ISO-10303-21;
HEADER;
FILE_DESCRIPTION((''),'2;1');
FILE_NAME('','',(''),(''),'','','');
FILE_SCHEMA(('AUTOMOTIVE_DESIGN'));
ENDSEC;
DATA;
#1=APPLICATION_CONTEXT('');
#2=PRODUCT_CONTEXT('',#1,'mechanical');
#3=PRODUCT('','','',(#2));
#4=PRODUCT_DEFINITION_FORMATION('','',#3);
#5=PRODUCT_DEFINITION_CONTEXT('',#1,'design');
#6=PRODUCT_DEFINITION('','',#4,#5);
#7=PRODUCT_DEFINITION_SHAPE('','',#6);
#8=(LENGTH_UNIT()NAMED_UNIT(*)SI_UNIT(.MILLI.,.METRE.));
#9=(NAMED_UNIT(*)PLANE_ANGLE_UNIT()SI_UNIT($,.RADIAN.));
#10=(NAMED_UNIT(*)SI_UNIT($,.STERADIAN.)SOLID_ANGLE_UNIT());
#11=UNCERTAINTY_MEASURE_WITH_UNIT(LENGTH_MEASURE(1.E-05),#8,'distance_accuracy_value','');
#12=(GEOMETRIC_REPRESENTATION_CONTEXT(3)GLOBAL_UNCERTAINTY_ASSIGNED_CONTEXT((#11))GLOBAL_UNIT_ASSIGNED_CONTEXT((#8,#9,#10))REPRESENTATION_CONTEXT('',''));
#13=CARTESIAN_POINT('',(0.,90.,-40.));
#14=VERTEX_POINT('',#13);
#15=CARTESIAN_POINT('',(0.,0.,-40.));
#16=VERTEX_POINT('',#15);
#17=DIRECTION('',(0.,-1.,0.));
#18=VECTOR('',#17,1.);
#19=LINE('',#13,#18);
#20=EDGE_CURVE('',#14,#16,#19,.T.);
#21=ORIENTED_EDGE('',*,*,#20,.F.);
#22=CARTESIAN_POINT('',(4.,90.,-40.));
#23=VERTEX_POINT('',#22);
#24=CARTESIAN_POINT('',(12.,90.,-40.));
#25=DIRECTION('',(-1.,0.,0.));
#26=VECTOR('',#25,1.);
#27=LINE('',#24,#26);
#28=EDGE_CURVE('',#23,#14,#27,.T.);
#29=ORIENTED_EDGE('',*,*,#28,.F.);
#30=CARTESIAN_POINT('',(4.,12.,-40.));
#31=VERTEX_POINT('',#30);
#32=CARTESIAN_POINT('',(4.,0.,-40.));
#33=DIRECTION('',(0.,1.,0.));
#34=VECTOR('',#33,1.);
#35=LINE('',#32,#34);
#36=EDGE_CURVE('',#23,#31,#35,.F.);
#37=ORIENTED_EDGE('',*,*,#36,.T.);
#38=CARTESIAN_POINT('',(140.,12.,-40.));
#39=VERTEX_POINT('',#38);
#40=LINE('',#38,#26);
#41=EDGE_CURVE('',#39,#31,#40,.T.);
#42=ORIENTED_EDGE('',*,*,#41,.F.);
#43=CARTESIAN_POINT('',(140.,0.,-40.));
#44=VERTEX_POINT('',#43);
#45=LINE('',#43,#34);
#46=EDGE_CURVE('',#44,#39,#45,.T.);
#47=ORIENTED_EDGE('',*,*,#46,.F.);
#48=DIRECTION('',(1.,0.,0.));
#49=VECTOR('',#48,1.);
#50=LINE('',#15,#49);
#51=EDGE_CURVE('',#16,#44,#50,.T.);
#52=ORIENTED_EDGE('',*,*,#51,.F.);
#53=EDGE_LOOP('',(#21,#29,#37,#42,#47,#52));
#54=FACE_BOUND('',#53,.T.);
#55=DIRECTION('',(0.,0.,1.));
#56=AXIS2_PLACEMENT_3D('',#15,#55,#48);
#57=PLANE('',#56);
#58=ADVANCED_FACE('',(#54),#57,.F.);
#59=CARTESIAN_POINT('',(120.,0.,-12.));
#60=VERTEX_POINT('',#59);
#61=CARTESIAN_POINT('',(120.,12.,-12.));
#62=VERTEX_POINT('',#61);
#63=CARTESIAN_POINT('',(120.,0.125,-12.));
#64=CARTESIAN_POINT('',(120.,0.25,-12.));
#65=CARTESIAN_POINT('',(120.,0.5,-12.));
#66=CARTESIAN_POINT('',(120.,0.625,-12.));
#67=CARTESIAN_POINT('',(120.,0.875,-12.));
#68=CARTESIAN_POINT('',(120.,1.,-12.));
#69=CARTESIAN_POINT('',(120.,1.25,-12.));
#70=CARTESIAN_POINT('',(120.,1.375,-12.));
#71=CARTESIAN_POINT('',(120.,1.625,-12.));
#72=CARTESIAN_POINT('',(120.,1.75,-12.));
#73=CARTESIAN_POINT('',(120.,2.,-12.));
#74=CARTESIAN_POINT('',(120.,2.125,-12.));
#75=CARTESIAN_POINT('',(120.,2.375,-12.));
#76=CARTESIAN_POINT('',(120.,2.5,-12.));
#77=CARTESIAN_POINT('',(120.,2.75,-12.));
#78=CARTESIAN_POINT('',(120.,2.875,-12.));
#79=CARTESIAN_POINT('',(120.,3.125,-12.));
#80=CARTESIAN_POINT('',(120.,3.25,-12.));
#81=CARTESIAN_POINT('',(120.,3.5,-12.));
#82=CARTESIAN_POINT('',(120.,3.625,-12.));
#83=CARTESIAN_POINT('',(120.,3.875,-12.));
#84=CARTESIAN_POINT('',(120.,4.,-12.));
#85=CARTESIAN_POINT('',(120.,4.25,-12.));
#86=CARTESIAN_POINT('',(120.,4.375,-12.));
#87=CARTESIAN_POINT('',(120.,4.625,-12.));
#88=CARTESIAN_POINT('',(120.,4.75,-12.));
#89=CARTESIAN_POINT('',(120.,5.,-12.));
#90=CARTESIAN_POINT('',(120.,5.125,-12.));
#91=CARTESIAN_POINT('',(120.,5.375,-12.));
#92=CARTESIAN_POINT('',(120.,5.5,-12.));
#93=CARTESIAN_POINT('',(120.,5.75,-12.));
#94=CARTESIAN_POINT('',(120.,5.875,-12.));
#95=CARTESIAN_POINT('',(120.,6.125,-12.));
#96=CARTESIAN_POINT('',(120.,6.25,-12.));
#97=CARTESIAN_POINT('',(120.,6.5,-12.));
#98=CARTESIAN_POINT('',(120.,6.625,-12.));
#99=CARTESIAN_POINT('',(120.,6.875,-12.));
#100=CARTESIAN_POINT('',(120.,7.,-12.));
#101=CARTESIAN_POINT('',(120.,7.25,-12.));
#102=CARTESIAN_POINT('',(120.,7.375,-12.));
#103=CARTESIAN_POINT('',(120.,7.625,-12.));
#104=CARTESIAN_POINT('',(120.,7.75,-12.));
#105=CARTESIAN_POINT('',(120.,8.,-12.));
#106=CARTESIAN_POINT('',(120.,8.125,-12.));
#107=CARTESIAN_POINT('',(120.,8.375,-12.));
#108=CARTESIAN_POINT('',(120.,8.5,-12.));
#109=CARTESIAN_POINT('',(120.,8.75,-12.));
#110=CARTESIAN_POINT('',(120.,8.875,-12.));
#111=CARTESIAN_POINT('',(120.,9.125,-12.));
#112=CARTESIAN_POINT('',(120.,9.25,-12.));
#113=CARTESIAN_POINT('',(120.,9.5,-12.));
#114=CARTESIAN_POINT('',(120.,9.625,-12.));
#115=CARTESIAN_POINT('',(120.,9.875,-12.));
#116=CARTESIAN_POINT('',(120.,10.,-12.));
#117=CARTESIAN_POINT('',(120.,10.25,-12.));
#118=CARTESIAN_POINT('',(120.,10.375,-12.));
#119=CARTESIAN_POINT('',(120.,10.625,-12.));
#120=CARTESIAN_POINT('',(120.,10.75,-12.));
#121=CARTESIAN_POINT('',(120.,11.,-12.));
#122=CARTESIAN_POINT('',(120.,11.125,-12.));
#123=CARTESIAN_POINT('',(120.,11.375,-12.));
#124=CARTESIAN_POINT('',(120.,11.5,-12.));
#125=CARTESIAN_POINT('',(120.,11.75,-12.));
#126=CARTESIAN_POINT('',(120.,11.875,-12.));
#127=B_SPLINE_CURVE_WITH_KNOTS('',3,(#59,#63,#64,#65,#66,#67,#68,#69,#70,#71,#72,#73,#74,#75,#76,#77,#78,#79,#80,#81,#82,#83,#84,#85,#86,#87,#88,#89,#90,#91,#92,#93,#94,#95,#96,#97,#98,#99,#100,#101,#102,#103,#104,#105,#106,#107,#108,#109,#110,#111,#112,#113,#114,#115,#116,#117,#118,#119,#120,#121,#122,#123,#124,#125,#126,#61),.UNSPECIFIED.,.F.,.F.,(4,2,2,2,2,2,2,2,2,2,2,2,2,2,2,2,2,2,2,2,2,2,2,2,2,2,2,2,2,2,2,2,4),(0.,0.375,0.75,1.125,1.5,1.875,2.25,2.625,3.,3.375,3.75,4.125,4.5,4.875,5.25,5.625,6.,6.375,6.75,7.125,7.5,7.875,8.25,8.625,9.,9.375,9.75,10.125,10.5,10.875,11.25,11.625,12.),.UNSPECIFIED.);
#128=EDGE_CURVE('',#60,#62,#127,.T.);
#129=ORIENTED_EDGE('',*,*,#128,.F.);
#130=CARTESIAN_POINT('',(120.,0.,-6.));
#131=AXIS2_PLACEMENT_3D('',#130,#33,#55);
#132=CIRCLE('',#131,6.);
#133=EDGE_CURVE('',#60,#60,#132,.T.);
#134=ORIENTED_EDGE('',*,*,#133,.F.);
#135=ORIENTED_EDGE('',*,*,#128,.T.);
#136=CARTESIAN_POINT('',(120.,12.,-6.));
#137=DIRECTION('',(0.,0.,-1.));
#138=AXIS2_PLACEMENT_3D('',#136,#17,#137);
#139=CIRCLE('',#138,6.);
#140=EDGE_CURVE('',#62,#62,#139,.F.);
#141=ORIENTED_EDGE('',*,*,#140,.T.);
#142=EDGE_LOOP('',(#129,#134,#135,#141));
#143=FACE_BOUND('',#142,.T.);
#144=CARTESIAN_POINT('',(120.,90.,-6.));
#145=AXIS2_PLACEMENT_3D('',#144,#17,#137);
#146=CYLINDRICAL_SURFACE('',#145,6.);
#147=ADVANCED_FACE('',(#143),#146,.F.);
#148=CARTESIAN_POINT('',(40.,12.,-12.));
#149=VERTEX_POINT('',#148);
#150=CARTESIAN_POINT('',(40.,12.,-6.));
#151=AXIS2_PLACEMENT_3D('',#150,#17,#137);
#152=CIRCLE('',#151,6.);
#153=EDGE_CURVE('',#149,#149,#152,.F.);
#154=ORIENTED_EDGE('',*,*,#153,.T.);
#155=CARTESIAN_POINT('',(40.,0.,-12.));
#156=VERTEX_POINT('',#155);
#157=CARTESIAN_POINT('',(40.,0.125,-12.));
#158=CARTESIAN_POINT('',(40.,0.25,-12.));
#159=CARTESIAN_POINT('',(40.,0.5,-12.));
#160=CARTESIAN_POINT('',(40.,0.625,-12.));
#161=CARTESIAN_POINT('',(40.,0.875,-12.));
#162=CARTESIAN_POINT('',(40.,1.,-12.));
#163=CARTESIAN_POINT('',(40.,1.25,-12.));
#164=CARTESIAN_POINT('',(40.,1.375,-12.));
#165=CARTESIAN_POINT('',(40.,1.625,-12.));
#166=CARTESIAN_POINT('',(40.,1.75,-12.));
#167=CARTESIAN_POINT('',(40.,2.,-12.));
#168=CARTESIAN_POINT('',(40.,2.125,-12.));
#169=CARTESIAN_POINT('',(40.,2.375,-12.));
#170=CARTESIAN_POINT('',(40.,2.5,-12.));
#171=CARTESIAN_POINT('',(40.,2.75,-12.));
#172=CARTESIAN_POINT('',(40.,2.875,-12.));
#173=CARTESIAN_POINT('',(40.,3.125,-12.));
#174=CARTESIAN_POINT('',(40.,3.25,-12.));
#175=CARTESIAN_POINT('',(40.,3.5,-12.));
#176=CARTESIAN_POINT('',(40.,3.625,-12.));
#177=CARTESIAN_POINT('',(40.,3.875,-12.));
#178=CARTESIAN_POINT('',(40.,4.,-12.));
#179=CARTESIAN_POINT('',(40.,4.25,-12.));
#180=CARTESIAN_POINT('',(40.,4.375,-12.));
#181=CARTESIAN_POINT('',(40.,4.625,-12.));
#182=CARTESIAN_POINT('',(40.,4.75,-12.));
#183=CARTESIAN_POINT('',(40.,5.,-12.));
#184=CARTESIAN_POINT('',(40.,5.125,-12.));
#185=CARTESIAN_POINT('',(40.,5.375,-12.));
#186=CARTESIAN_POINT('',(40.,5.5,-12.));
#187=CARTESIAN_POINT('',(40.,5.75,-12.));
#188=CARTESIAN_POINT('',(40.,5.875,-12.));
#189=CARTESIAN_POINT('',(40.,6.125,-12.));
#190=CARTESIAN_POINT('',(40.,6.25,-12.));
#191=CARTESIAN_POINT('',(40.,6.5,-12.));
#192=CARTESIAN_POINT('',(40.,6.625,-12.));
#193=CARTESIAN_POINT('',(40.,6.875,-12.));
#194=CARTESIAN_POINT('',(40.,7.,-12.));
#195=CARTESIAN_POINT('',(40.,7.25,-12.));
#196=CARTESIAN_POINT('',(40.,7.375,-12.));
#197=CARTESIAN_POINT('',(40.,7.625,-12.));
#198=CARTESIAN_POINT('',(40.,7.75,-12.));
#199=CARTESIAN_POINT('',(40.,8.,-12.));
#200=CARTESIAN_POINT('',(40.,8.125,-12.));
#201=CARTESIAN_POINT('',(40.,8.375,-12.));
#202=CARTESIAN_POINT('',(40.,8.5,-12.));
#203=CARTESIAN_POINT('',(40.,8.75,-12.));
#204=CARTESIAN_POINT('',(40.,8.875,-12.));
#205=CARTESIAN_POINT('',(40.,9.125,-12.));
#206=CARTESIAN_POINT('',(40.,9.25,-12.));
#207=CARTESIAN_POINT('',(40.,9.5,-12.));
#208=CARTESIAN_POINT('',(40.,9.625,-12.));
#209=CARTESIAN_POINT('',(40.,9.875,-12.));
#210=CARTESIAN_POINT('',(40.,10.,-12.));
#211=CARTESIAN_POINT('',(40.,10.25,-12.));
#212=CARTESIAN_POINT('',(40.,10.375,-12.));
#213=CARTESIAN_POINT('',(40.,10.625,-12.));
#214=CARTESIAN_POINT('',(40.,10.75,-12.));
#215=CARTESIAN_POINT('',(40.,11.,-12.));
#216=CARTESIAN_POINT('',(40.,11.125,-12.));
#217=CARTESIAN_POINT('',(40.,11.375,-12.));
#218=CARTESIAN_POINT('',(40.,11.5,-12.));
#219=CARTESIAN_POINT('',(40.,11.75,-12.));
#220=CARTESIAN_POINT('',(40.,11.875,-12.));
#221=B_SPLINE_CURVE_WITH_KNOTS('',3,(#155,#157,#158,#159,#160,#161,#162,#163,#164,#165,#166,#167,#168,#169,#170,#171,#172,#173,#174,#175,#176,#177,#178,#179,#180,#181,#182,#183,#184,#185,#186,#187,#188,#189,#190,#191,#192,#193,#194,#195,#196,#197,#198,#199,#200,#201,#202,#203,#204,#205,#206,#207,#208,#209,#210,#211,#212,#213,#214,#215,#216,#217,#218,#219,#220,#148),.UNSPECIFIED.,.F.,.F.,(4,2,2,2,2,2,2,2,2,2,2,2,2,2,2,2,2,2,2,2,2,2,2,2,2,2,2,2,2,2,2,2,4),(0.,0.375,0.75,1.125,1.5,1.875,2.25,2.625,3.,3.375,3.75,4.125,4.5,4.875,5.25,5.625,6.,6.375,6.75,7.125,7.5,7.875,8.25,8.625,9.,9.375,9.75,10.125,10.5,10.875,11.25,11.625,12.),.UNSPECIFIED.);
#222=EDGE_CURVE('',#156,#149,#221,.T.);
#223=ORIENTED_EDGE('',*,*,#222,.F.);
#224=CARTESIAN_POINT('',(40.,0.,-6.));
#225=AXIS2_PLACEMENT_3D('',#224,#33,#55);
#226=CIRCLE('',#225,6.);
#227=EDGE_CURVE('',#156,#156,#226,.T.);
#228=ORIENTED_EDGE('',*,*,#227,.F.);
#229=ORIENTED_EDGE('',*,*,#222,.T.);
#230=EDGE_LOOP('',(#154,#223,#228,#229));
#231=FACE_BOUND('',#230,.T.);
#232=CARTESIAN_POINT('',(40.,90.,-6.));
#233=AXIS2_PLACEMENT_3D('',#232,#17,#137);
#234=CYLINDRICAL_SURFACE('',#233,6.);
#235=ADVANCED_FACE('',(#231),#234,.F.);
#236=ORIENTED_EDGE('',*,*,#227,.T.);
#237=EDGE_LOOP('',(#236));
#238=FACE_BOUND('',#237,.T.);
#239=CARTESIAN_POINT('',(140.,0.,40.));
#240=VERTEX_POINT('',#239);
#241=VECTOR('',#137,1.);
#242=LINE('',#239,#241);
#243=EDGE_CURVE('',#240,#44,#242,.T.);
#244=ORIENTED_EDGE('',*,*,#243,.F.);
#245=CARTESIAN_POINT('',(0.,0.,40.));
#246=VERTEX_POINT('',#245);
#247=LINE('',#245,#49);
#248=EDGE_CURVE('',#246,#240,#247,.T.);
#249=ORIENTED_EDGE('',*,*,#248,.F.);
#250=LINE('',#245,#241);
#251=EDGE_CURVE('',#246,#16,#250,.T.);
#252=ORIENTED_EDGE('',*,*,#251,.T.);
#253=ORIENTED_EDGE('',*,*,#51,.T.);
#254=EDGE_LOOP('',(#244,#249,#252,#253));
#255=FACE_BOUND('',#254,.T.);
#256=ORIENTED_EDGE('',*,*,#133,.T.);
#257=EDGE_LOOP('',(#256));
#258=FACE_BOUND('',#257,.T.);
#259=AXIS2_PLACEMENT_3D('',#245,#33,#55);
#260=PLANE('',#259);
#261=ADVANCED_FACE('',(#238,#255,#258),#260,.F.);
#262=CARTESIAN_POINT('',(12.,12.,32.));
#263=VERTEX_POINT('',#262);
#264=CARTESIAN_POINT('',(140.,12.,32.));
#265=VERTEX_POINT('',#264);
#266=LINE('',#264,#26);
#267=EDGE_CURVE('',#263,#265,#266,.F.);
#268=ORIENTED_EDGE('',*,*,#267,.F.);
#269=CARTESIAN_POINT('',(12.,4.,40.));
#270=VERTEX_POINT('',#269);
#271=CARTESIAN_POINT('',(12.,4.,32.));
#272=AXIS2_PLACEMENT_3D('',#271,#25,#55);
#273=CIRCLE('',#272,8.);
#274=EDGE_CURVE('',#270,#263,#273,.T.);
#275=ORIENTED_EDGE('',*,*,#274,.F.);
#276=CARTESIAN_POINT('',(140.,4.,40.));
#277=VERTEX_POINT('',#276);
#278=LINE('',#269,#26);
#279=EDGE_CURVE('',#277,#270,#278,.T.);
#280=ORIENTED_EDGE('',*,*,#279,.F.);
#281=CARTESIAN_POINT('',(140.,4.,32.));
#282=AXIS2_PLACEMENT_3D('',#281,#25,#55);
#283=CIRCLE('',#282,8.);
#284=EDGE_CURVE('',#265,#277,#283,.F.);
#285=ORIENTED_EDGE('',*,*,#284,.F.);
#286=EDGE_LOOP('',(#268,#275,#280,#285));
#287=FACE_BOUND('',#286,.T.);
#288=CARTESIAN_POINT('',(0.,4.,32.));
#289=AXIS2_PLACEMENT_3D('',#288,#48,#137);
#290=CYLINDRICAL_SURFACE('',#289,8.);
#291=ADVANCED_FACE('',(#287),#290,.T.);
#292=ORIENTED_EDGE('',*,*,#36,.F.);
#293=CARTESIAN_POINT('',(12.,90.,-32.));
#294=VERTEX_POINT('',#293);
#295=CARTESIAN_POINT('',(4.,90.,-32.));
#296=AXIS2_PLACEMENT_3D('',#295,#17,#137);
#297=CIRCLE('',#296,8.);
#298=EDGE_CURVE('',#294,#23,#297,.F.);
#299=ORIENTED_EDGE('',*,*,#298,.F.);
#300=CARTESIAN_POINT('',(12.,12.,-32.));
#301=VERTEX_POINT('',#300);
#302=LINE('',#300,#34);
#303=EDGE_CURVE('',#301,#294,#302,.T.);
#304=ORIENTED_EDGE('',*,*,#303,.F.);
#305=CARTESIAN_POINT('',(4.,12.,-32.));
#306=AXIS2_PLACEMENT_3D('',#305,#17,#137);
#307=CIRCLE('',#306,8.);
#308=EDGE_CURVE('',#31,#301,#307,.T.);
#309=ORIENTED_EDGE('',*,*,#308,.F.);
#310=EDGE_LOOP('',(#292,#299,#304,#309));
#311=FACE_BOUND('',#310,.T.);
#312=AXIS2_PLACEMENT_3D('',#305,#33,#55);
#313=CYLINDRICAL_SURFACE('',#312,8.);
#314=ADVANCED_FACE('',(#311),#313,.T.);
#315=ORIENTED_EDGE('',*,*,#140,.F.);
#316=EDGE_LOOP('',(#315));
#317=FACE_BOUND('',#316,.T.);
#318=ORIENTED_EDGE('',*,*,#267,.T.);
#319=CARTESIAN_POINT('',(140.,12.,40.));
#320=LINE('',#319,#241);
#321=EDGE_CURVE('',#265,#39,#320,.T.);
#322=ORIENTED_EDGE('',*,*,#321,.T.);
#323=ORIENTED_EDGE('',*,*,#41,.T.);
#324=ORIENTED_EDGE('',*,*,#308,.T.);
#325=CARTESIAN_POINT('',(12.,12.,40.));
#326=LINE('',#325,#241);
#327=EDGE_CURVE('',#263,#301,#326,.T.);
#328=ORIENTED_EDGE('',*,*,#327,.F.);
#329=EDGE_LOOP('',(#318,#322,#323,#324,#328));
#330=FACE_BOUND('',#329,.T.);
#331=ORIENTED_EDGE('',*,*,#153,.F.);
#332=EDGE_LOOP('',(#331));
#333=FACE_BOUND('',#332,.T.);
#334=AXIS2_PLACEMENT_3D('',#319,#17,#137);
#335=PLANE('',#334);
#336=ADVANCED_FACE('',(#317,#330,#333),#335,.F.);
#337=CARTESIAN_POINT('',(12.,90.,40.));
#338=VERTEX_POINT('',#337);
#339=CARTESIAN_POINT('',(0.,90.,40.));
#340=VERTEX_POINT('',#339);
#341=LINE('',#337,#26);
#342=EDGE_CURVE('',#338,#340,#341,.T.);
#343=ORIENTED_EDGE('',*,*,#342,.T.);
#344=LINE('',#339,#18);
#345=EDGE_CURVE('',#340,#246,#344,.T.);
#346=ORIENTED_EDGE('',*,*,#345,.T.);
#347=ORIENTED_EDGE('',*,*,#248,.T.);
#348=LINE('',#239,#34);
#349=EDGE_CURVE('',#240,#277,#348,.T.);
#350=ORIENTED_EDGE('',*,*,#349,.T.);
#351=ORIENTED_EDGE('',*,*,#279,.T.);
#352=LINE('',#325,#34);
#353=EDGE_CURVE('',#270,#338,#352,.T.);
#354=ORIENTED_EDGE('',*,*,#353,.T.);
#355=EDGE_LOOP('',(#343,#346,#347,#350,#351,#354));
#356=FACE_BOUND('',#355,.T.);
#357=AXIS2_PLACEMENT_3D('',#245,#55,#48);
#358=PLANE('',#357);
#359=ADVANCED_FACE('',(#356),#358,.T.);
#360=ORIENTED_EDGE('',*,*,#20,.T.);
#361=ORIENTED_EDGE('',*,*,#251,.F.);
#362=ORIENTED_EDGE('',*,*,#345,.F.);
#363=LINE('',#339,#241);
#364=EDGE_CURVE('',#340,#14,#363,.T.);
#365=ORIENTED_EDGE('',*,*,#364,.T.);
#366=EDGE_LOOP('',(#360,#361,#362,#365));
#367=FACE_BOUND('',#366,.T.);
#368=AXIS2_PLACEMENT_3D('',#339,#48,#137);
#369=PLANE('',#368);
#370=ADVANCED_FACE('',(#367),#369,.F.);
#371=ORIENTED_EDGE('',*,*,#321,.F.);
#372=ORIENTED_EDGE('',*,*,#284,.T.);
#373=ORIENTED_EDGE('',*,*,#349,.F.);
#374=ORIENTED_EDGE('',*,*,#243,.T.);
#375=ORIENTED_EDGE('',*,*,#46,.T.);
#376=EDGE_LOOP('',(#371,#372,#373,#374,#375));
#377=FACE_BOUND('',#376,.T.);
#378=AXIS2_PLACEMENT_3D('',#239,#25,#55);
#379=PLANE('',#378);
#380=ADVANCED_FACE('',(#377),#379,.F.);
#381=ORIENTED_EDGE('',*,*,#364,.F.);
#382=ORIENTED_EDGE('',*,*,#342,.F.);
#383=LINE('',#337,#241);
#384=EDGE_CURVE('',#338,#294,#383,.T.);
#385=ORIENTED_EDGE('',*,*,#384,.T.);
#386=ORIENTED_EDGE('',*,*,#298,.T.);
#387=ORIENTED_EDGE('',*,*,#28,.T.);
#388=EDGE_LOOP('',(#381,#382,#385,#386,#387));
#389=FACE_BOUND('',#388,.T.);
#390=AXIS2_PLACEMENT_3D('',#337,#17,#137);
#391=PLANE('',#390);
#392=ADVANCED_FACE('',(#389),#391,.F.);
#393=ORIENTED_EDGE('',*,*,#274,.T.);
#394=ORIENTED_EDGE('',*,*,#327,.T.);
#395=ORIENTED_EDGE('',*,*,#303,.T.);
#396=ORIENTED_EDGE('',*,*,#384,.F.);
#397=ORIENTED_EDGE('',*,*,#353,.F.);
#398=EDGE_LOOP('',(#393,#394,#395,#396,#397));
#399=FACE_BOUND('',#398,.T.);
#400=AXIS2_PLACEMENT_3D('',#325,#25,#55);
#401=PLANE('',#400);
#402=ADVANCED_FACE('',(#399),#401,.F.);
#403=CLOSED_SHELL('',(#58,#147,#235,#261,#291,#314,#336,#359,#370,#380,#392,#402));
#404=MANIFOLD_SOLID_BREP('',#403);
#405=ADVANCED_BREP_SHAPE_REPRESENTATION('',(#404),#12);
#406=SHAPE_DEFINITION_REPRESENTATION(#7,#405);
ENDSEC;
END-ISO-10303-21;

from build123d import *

# Parameters (mm, degrees)
EXTRUDE_1_DEPTH      = 40
FILLET_1_R           = 8
SKETCH_9_R           = 6
CUT_EXTRUDE_7_DEPTH  = 172.172427686
SKETCH_10_R          = 6
CUT_EXTRUDE_14_DEPTH = 172.172427686


with BuildPart() as part:
    # 草图8 → 凸台-拉伸1 (new, symmetric)
    with BuildSketch(Plane.XY):
        Polygon((0, 0), (140, 0), (140, 12), (12, 12), (12, 90), (0, 90), align=None)
    extrude(amount=EXTRUDE_1_DEPTH, both=True)

    # 圆角1
    fillet_1_edges = [part.edges().sort_by_distance(p)[0] for p in [
        (76, 12, 40),
        (12, 51, -40),
    ]]
    fillet(fillet_1_edges, radius=FILLET_1_R)

    # 草图9 → 切除-拉伸7 (cut, through all)
    with BuildSketch(Plane(origin=(0, 0, 0), x_dir=(1, 0, 0), z_dir=(0, 1, 0))):
        with Locations(Location((40, 6, 0), (0, 0, 90))):
            Circle(SKETCH_9_R)
    extrude(amount=CUT_EXTRUDE_7_DEPTH, mode=Mode.SUBTRACT)

    # 草图10 → 切除-拉伸14 (cut, through all)
    with BuildSketch(Plane(origin=(0, 0, 0), x_dir=(1, 0, 0), z_dir=(0, 1, 0))):
        with Locations(Location((120, 6, 0), (0, 0, 90))):
            Circle(SKETCH_10_R)
    extrude(amount=CUT_EXTRUDE_14_DEPTH, mode=Mode.SUBTRACT)


solid = part.part
